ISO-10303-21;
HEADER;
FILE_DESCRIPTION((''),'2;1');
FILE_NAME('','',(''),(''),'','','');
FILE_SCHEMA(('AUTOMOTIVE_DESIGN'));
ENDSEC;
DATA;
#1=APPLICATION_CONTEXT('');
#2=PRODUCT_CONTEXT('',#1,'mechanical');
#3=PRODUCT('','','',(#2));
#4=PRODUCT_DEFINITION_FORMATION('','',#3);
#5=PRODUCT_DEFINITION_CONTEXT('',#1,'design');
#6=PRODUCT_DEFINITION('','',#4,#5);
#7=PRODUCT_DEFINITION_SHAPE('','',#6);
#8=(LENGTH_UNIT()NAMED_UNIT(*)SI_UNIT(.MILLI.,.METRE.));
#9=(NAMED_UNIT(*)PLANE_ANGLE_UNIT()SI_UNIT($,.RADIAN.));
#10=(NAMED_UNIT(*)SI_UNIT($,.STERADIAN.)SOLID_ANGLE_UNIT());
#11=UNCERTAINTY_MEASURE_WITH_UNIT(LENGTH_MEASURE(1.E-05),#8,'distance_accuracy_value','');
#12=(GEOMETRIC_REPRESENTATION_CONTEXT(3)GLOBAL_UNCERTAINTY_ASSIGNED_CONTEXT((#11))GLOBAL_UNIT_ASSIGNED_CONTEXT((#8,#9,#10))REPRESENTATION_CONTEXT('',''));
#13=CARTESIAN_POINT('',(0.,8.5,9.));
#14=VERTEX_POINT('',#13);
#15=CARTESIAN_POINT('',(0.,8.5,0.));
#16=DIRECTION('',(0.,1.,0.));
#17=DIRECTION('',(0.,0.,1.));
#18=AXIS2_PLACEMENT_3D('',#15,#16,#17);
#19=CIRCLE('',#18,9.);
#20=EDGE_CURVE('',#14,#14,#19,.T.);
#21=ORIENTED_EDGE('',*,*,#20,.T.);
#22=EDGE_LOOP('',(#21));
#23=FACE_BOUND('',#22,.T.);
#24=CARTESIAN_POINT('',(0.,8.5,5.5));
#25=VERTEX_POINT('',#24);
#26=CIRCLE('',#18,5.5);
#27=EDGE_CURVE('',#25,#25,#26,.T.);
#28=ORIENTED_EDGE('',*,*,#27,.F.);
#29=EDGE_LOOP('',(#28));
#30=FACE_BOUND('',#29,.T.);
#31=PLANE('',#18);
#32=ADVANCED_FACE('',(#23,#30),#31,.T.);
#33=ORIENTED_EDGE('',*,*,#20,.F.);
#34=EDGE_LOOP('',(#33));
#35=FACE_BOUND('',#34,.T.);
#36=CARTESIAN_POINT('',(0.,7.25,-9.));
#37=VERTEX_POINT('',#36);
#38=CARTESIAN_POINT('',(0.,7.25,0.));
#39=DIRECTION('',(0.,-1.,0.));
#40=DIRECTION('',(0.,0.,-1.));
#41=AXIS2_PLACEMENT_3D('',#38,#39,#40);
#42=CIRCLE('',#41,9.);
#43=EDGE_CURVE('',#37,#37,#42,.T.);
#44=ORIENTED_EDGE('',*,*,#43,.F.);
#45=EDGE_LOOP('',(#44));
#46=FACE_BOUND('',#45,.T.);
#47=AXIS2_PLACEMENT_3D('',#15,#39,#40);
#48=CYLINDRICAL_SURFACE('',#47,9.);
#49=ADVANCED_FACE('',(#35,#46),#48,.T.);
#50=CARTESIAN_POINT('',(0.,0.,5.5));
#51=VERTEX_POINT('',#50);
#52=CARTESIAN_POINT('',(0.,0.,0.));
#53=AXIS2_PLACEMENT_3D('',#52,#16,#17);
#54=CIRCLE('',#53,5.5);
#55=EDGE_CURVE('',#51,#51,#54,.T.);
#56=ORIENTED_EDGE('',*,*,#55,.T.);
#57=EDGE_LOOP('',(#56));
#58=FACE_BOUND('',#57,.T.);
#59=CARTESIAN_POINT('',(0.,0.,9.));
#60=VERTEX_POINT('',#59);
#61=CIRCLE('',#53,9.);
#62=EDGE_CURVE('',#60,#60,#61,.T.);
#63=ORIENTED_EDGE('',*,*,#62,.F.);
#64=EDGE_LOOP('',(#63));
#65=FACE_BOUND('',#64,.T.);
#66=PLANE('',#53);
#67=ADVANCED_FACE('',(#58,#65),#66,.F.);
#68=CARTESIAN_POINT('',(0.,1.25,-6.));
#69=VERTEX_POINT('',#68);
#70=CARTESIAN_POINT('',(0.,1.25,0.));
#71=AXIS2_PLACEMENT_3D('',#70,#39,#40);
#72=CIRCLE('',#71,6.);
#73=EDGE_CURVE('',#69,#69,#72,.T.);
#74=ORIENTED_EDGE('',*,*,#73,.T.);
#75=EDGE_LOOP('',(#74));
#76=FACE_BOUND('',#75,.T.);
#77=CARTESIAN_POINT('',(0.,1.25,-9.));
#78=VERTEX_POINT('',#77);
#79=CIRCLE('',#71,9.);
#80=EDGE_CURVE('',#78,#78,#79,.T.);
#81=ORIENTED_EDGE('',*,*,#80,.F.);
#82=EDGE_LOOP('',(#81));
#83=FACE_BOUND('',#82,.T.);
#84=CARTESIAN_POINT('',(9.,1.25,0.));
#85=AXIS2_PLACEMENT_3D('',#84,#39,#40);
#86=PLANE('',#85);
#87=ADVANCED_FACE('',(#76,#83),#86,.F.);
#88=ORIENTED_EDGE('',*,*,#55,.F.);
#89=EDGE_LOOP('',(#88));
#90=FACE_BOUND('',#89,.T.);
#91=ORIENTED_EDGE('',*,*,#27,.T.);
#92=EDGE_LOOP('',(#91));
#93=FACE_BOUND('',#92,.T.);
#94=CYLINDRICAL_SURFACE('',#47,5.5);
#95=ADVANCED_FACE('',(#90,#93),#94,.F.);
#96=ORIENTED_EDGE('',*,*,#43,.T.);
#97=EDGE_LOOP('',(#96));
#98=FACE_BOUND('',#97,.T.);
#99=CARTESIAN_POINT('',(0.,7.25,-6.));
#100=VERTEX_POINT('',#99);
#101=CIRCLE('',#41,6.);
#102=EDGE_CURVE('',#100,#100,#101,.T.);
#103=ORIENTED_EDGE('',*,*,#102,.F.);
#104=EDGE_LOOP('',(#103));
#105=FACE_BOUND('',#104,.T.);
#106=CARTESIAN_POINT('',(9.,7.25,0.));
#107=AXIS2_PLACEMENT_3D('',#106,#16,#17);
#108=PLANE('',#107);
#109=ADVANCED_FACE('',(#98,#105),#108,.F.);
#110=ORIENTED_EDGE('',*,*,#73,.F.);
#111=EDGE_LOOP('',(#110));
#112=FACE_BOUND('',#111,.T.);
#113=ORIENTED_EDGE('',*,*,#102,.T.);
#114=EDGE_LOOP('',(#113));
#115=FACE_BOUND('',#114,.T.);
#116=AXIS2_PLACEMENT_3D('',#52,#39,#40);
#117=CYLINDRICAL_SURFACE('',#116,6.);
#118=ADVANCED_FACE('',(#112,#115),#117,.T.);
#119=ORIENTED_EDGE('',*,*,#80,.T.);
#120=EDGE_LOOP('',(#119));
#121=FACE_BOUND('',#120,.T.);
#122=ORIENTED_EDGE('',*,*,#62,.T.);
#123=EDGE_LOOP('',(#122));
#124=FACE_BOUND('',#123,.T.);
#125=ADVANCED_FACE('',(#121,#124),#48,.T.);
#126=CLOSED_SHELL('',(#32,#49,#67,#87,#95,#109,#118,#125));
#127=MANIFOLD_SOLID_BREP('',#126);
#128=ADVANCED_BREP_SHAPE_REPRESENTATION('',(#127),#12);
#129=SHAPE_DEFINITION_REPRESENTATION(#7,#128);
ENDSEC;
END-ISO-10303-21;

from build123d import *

# Parameters (mm, degrees)
SKETCH1_R           = 9
SKETCH1_R_2         = 5.5
BOSS_EXTRUDE1_DEPTH = 8.5
SKETCH4_W           = 3
SKETCH4_H           = 6


with BuildPart() as part:
    # Sketch1 → Boss-Extrude1 (new body)
    with BuildSketch(Plane(origin=(0, 0, 0), x_dir=(1, 0, 0), z_dir=(0, 1, 0))):
        with Locations(Location((0, 0, 0), (0, 0, 270))):
            Circle(SKETCH1_R)
        with Locations(Location((0, 0, 0), (0, 0, 270))):
            Circle(SKETCH1_R_2, mode=Mode.SUBTRACT)
    extrude(amount=BOSS_EXTRUDE1_DEPTH)

    # Sketch4 → Cut-Revolve1 (revolve, cut)
    with BuildSketch(Plane.XY, mode=Mode.PRIVATE) as cut_revolve1_sk:
        with Locations((7.5, 4.25)):
            Rectangle(SKETCH4_W, SKETCH4_H)
    revolve(cut_revolve1_sk.sketch.rotate(Axis((0, 0, 0), (0, 1, 0)), 90), axis=Axis((0, 0, 0), (0, 1, 0)), mode=Mode.SUBTRACT)


solid = part.part
